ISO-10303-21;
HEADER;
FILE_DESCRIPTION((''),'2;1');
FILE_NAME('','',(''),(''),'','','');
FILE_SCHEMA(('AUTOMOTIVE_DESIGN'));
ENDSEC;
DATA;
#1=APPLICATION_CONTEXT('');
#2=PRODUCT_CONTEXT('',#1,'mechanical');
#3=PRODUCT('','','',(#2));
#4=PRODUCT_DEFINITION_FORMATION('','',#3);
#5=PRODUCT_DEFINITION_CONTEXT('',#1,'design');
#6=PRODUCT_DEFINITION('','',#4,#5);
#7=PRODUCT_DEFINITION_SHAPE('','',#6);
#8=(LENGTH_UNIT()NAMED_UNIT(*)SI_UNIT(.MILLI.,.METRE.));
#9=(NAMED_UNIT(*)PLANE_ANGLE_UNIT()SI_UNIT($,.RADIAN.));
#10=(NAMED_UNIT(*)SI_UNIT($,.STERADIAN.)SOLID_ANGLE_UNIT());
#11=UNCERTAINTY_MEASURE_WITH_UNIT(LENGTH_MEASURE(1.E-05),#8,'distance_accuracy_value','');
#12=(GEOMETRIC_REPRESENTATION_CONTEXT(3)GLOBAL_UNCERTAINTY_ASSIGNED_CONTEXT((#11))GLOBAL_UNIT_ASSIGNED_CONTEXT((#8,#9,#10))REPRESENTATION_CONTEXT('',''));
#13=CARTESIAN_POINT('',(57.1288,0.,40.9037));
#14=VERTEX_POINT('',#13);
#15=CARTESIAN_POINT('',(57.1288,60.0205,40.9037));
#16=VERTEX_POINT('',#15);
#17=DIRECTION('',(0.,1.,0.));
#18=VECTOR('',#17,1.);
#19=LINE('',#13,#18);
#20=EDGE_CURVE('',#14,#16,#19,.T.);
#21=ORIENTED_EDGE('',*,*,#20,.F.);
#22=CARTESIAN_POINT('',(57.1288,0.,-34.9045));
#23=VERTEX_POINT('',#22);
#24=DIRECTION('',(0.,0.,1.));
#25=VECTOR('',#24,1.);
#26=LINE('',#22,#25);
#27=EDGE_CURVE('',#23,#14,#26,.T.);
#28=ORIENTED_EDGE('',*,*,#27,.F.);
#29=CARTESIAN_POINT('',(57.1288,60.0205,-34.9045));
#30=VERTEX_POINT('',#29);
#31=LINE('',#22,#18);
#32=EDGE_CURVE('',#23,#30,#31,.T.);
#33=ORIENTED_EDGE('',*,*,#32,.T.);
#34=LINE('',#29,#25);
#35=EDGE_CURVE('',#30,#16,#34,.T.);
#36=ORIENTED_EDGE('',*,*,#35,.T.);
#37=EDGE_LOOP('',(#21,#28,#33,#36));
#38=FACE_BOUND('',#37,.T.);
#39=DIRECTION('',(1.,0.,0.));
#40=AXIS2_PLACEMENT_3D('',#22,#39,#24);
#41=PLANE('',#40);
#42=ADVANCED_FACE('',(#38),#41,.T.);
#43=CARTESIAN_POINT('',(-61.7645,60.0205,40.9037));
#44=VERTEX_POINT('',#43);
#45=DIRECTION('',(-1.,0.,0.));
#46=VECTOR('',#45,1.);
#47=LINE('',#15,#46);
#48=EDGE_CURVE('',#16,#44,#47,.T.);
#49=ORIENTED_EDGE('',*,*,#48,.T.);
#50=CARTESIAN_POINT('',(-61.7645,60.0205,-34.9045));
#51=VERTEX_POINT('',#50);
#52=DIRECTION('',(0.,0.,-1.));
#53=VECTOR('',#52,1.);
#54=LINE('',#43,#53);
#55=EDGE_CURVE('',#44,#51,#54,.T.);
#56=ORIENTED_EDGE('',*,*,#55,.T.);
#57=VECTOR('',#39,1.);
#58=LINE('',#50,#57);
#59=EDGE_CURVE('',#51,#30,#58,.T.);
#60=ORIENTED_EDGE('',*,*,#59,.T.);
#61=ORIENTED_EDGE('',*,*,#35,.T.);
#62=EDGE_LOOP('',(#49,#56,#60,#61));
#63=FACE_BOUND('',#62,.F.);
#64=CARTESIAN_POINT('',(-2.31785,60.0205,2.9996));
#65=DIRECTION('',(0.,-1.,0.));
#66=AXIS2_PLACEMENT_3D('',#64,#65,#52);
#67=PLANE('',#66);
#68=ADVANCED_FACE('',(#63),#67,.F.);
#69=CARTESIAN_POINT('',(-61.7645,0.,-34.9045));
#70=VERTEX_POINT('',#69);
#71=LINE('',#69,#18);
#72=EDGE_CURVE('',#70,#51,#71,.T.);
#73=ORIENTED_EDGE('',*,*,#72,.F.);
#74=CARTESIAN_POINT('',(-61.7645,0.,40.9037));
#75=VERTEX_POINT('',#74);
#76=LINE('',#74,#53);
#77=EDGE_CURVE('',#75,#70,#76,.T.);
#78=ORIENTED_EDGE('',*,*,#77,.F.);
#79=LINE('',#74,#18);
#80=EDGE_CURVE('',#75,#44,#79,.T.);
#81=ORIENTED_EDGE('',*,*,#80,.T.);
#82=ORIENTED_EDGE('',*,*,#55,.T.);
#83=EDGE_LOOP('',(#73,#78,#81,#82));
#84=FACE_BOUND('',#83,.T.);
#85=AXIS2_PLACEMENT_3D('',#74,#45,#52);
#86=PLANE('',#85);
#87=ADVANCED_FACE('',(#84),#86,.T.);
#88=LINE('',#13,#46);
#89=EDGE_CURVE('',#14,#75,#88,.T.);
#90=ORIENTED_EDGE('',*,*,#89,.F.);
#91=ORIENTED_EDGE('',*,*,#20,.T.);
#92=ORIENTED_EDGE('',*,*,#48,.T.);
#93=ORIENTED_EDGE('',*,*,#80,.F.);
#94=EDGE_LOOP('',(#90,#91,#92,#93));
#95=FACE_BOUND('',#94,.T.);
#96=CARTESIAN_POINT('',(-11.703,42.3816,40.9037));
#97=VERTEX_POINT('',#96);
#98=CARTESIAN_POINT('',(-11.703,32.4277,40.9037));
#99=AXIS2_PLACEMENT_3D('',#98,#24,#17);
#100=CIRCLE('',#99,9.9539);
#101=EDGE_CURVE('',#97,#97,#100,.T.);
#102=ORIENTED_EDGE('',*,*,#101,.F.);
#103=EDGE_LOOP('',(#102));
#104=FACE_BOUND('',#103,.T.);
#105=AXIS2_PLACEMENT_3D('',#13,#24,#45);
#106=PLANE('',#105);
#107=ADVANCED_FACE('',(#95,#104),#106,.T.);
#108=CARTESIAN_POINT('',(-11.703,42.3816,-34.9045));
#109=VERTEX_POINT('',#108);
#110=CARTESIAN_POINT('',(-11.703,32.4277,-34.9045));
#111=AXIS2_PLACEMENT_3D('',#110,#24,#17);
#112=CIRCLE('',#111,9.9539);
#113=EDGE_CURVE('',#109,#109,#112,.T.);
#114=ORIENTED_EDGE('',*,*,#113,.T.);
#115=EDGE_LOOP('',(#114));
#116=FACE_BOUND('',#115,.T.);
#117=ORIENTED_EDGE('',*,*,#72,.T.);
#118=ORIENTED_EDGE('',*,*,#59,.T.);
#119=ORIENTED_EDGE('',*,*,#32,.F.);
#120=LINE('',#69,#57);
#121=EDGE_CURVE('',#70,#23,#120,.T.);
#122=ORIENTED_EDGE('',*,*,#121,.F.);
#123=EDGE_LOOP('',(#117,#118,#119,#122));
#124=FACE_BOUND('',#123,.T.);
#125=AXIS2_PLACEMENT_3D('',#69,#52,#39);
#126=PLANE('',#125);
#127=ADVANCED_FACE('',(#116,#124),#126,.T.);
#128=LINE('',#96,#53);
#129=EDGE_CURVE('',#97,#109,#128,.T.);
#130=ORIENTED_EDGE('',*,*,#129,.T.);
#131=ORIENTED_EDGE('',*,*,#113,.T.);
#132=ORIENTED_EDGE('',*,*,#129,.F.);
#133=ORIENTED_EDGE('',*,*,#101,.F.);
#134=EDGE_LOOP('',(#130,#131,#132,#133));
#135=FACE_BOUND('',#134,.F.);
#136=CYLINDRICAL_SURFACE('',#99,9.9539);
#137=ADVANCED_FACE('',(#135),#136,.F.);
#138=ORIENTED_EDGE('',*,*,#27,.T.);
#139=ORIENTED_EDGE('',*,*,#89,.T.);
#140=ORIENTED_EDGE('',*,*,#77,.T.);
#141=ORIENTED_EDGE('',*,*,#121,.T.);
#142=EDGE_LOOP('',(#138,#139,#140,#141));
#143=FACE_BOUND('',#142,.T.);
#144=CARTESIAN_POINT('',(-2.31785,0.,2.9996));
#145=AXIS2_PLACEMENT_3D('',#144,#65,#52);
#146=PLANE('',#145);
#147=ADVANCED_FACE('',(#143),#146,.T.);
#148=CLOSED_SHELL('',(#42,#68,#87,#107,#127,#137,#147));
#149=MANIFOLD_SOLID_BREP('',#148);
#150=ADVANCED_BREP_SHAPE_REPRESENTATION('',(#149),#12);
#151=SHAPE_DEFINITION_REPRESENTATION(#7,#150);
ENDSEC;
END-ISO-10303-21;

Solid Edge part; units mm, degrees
sketch "Sketch1" plane through (0, 0, 0) normal (0, -1, 0) x (1, 0, 0)
  line L0 (-61.7645, -34.9045) -> (57.1288, -34.9045)
  line L1 (57.1288, -34.9045) -> (57.1288, 40.9037)
  line L2 (57.1288, 40.9037) -> (-61.7645, 40.9037)
  line L3 (-61.7645, 40.9037) -> (-61.7645, -34.9045)
extrude "Protrusion1" add sketch "Sketch1" against normal blind 60.0205
sketch "Sketch2" plane through (-2.3179, 30.0103, 40.9037) normal (0, 0, 1) x (0, 1, 0)
  circle A0 centre (2.4174, 9.3851) radius 9.9539
extrude "Вырез_1" cut sketch "Sketch2" against normal blind 228.5006
